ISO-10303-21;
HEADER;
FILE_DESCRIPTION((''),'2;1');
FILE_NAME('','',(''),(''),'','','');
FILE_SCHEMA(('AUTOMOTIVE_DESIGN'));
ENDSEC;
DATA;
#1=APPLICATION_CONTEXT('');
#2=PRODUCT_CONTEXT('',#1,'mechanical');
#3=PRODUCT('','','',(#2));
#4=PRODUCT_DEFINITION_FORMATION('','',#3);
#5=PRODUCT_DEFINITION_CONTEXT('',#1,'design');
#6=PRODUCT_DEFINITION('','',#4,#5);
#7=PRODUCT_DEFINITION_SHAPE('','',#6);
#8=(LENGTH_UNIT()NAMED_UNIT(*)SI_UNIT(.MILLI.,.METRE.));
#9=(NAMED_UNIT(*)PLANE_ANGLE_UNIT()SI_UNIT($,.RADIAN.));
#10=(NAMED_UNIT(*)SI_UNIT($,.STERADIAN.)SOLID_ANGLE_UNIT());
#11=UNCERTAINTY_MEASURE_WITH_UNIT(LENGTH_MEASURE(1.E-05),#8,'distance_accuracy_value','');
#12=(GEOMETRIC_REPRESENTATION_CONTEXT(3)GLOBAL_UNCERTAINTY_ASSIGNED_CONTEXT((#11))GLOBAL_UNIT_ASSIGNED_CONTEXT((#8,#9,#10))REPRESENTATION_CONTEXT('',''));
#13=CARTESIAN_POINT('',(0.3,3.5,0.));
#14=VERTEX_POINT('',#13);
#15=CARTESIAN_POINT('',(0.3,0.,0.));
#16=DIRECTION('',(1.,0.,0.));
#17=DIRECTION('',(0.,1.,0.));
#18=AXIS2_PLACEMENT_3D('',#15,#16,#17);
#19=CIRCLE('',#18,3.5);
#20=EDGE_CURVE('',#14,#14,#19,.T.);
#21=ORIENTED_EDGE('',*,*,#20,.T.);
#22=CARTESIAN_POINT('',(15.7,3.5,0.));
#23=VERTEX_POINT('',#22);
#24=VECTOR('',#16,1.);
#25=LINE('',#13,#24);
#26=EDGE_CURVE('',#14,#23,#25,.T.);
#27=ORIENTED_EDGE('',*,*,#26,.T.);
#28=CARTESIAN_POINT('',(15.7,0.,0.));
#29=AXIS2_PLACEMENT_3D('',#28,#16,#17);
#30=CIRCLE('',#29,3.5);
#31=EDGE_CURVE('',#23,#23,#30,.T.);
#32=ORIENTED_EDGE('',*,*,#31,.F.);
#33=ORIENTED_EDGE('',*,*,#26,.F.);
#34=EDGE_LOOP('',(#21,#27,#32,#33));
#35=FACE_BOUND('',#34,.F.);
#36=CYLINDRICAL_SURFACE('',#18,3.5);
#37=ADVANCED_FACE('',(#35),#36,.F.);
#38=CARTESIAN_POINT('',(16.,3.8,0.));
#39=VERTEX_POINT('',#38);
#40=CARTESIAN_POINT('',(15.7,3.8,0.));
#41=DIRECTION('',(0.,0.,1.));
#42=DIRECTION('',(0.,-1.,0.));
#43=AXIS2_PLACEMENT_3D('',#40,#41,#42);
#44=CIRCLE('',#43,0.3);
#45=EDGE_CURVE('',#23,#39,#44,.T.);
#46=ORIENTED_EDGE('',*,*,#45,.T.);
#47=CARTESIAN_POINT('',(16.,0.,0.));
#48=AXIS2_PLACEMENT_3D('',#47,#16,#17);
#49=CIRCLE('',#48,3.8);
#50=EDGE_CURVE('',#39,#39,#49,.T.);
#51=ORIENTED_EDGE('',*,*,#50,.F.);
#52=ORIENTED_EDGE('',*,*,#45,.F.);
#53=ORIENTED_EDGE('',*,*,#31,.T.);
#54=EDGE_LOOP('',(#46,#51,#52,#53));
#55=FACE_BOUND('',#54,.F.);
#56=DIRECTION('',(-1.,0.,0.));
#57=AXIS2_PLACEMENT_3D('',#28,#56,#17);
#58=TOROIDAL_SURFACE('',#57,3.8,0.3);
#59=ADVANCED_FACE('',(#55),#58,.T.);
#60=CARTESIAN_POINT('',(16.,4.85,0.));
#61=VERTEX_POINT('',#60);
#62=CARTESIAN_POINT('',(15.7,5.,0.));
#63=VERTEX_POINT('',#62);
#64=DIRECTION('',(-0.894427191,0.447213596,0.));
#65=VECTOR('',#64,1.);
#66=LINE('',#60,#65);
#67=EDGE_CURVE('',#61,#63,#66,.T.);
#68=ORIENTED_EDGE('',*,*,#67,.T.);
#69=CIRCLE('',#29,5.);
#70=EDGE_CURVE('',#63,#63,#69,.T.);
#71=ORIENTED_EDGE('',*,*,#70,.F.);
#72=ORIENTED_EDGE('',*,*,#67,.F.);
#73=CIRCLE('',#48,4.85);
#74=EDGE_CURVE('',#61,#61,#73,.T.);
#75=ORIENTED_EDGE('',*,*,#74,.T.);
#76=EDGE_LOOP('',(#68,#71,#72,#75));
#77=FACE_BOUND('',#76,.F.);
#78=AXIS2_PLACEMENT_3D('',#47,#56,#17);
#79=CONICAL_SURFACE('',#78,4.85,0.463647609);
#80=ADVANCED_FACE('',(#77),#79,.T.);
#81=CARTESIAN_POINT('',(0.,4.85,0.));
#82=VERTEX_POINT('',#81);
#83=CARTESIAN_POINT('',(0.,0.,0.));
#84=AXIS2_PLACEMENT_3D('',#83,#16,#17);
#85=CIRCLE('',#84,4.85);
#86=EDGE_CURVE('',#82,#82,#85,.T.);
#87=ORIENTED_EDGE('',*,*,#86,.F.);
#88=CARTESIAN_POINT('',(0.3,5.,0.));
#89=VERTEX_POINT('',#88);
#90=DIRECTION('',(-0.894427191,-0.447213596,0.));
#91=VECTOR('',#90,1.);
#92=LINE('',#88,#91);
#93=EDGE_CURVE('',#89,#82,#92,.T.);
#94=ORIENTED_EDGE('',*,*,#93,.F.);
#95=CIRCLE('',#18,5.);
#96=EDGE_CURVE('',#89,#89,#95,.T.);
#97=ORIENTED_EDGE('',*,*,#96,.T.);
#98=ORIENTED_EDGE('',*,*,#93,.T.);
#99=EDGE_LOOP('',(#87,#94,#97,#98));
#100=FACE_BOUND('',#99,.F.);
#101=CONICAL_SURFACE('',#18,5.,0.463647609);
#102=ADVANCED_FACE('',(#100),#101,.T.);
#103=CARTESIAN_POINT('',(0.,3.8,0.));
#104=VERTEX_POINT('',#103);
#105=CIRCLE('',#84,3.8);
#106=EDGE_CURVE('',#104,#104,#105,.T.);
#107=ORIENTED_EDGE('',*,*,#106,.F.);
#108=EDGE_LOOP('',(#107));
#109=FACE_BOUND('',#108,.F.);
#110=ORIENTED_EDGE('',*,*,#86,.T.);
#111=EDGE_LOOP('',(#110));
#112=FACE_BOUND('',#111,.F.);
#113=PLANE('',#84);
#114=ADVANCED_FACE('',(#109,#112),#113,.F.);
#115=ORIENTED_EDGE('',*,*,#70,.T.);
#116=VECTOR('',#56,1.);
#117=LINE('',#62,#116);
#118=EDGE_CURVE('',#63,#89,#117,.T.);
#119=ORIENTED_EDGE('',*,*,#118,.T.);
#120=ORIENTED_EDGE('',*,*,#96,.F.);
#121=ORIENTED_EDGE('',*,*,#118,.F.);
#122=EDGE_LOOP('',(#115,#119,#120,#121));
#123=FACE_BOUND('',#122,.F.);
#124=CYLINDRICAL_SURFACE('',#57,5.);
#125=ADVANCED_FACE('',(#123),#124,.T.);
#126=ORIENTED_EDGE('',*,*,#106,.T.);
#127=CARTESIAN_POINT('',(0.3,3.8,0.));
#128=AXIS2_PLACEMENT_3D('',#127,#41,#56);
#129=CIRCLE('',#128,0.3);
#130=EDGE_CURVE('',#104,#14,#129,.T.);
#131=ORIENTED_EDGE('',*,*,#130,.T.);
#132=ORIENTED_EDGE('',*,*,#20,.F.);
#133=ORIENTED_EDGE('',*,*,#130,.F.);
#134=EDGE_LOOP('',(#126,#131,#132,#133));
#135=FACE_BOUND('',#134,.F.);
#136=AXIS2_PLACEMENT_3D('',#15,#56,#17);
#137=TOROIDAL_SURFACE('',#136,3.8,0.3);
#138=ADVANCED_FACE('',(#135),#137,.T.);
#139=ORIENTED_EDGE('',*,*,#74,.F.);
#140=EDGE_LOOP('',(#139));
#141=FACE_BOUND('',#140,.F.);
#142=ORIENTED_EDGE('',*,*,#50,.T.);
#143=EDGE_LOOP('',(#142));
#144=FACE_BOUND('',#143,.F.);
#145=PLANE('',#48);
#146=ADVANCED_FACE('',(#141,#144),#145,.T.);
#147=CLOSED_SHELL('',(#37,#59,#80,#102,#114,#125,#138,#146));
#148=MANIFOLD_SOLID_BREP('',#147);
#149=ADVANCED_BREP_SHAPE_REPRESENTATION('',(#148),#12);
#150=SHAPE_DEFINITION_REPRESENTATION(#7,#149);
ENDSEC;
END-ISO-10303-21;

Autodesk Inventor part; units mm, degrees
ref_plane "YZ Plane" through (0, 0, 0) normal (1, 0, 0) x (0, 1, 0)
ref_plane "XZ Plane" through (0, 0, 0) normal (0, 1, 0) x (-1, 0, 0)
ref_plane "XY Plane" through (0, 0, 0) normal (0, 0, 1) x (1, 0, 0)
sketch "Sketch_1" plane through (0, 0, 0) normal (0, 0, 1) x (1, 0, 0)
  line L0 (50, 0) -> (-50, 0)
  line L1 (0, 4.85) -> (0, 3.8)
  arc A0 (0, 3.8) -> (0.3, 3.5) centre (0.3, 3.8) ccw
  line L2 (0.3, 3.5) -> (15.7, 3.5)
  arc A1 (15.7, 3.5) -> (16, 3.8) centre (15.7, 3.8) ccw
  line L3 (16, 3.8) -> (16, 4.85)
  line L4 (16, 4.85) -> (15.7, 5)
  line L5 (15.7, 5) -> (0.3, 5)
  line L6 (0.3, 5) -> (0, 4.85)
revolve "Revolution1" add sketch "Sketch_1" angle 360 about axis through (50, 0, 0) along (1, 0, 0)
properties part number "SKF_IR 7X10X16"
